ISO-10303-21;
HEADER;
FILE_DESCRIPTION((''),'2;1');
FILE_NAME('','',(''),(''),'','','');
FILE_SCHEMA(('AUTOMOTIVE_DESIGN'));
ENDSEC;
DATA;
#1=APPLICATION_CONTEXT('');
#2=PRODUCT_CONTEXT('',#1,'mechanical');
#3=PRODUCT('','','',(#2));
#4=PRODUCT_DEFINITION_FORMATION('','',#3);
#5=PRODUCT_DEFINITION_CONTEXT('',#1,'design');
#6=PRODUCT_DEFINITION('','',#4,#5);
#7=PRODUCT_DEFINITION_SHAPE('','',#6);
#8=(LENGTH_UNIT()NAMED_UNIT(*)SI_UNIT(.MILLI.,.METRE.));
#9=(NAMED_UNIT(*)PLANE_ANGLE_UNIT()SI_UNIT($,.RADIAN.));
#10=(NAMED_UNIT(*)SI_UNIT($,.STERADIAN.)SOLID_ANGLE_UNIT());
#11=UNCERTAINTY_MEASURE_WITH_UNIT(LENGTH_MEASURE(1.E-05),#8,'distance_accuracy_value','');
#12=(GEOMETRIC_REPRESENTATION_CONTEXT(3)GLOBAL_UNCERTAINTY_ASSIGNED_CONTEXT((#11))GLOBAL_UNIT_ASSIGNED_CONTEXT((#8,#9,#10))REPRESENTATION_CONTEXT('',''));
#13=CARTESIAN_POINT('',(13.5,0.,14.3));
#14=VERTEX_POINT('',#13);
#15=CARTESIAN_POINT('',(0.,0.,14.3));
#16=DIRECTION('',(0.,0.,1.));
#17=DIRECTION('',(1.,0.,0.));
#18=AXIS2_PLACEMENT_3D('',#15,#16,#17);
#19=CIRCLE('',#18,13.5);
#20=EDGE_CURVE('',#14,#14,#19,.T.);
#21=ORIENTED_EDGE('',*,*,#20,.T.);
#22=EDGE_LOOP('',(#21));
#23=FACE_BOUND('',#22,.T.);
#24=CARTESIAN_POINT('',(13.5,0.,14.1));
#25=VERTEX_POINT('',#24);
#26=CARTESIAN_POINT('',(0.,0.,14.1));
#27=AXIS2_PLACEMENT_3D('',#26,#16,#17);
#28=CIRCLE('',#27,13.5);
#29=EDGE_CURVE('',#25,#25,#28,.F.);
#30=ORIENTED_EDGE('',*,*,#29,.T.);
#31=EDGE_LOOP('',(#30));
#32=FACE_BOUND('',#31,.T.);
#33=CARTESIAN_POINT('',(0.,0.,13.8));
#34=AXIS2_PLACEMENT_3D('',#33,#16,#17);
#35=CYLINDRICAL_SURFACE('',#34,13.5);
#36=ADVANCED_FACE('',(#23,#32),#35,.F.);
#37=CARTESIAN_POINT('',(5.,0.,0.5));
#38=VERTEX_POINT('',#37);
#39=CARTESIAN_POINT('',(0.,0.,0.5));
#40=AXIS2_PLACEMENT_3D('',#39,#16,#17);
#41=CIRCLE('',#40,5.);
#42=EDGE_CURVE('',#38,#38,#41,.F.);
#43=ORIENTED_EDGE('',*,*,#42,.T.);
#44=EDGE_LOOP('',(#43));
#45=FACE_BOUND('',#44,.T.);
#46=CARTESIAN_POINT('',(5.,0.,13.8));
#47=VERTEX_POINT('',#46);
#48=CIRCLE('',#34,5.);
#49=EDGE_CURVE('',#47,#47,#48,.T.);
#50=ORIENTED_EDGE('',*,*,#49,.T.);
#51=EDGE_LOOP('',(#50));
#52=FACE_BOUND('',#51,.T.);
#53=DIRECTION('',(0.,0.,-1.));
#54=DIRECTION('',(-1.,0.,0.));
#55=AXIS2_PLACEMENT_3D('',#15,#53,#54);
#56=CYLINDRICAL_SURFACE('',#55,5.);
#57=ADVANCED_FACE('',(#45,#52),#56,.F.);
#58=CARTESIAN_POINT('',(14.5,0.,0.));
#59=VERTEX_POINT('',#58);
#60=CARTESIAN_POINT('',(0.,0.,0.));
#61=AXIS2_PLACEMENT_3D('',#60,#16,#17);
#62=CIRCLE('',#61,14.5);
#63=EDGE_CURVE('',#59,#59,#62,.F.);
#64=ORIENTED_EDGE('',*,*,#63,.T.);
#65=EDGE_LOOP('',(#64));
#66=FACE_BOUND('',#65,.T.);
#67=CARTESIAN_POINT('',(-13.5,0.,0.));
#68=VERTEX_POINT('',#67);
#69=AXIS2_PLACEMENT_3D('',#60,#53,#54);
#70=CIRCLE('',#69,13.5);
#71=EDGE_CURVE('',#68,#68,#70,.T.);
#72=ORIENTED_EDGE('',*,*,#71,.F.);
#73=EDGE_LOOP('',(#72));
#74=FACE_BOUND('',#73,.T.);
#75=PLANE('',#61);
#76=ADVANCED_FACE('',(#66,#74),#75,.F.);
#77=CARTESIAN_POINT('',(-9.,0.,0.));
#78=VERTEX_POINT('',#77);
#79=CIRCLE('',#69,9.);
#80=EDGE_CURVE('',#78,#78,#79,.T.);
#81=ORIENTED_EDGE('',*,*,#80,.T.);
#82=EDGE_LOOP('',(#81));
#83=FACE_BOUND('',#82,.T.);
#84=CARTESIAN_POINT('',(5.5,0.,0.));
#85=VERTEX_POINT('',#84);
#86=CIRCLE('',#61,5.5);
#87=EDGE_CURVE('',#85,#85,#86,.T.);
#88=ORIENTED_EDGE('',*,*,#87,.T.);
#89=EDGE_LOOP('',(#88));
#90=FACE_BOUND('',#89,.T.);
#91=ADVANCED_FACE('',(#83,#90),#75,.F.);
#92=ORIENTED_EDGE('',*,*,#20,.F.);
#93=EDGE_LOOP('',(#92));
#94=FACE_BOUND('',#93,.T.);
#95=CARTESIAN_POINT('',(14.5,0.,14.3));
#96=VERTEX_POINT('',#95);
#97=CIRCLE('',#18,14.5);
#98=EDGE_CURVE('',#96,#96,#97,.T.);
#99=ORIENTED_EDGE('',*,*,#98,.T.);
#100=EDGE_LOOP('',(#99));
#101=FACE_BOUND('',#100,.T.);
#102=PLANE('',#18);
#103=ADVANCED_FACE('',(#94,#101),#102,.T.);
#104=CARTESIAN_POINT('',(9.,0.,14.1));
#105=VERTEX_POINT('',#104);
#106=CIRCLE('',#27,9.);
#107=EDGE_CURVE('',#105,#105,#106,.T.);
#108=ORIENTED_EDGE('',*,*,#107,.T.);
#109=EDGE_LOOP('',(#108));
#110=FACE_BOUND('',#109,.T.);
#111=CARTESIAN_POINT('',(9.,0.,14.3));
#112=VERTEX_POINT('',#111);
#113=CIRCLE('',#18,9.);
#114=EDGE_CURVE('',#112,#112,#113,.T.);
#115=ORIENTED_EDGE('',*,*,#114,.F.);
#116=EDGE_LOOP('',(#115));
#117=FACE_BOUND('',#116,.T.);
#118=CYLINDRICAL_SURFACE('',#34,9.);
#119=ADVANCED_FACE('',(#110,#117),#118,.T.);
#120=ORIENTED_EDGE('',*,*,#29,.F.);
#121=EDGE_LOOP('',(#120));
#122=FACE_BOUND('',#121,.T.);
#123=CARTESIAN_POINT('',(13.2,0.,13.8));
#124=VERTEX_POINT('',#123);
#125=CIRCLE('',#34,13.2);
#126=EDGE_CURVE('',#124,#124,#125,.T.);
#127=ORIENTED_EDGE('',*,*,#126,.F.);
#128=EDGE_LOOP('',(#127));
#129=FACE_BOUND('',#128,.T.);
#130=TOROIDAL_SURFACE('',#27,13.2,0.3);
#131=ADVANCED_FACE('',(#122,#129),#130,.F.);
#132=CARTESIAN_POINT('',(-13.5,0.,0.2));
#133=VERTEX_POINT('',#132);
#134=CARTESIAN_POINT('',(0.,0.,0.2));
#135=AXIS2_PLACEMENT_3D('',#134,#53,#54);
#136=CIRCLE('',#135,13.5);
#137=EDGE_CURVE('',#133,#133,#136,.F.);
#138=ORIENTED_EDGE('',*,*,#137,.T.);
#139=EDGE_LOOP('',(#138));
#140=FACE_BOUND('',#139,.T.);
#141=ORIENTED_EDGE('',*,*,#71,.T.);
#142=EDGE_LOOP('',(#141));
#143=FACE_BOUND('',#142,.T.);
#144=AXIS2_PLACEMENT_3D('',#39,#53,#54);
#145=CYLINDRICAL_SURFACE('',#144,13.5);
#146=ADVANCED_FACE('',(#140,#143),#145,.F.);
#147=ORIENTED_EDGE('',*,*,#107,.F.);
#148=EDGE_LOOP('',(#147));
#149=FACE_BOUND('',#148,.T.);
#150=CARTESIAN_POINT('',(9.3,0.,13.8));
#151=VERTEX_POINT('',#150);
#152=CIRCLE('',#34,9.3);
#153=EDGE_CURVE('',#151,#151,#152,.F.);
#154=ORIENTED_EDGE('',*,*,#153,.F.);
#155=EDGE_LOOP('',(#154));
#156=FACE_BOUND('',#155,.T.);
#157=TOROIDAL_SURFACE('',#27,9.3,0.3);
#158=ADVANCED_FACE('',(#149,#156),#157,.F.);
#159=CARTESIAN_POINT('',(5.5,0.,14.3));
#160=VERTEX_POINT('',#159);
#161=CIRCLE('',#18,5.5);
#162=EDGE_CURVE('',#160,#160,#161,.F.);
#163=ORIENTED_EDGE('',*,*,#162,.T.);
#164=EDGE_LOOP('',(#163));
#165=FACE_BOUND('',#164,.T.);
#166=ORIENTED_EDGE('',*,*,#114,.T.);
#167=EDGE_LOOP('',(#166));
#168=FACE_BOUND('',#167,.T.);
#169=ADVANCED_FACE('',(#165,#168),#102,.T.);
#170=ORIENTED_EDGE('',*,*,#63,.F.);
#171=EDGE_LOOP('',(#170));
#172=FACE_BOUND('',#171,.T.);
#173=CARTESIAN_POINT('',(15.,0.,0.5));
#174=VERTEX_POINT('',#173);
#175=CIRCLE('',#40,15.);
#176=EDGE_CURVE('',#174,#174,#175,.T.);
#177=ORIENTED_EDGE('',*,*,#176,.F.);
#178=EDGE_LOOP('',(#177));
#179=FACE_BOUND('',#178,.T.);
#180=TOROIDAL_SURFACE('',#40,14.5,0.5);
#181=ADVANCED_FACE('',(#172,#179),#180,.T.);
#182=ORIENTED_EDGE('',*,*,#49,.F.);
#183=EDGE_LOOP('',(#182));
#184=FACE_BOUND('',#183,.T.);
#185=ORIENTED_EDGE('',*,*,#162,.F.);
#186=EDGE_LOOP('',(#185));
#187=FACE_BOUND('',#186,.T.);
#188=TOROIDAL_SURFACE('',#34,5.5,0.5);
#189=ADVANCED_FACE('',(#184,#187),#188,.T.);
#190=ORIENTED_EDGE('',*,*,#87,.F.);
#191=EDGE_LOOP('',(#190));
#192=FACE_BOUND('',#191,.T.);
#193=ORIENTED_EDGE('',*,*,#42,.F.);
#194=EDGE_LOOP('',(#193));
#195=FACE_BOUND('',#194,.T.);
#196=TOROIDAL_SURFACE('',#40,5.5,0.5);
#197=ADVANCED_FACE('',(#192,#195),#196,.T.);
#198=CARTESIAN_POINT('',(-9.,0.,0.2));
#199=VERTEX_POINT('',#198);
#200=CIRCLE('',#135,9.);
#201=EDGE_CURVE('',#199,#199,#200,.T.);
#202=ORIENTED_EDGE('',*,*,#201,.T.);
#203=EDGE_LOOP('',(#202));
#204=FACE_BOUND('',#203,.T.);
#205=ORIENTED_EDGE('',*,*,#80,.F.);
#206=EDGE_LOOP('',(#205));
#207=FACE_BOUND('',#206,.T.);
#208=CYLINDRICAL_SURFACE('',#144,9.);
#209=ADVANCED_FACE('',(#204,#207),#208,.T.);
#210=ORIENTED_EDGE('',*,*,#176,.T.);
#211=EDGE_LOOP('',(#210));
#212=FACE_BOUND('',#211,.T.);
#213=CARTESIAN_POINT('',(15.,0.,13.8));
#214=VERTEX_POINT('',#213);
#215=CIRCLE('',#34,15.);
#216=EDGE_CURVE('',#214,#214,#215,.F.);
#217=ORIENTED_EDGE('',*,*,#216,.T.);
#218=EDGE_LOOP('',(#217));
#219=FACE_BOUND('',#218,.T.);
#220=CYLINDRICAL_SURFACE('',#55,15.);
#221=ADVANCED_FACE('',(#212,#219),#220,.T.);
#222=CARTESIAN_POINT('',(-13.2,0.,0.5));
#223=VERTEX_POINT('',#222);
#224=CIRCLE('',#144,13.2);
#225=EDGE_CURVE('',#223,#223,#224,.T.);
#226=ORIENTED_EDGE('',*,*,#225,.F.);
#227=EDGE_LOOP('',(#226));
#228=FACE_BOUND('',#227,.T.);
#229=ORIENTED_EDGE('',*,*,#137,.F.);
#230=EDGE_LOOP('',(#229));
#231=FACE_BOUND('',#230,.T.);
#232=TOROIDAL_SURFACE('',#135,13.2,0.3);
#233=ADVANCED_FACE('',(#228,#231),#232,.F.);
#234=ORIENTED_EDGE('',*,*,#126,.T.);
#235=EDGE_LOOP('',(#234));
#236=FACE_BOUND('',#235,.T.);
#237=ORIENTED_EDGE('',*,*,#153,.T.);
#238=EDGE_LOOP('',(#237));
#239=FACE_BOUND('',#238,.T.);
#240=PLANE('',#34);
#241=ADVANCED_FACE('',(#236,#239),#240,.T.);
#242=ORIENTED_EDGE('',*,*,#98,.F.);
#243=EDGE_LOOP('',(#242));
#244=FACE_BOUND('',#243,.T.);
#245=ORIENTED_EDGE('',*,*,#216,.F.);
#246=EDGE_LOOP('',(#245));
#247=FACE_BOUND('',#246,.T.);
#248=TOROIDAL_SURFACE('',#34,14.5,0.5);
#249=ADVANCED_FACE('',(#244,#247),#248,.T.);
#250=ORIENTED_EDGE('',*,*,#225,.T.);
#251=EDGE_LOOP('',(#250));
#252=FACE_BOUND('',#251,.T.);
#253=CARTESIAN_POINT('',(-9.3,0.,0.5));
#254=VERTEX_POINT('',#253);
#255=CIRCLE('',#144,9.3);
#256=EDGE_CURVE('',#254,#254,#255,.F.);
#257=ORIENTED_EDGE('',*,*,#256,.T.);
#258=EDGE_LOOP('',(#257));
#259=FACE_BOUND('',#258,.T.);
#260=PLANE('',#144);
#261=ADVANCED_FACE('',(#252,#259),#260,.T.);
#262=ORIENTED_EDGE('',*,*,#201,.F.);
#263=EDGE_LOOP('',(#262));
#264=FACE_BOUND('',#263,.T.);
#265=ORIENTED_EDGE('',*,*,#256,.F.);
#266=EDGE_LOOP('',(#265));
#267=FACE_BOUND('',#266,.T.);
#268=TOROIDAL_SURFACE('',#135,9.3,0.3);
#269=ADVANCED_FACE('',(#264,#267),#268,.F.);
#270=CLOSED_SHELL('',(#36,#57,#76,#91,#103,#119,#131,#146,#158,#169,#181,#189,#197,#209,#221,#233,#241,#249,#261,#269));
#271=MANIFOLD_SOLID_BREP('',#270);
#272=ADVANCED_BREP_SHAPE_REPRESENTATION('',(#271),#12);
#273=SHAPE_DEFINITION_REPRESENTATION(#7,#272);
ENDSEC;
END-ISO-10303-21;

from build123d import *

# Parameters (mm, degrees)
SKIZZE1_R                       = 15
SKIZZE1_R_2                     = 5
AUFSATZ_LINEAR_AUSTRAGEN1_DEPTH = 14.3
VERRUNDUNG1_R                   = 0.5
SKIZZE2_R                       = 13.5
SKIZZE2_R_2                     = 9
SCHNITT_LINEAR_AUSTRAGEN1_DEPTH = 0.5
SCHNITT_LINEAR_START            = -0.5
SKIZZE3_R                       = 13.5
SKIZZE3_R_2                     = 9
SCHNITT_LINEAR_AUSTRAGEN2_DEPTH = 0.5
VERRUNDUNG2_R                   = 0.3


with BuildPart() as part:
    # Skizze1 → Aufsatz-Linear austragen1 (new body)
    with BuildSketch(Plane.XY):
        Circle(SKIZZE1_R)
        Circle(SKIZZE1_R_2, mode=Mode.SUBTRACT)
    extrude(amount=AUFSATZ_LINEAR_AUSTRAGEN1_DEPTH)

    # Verrundung1
    verrundung1_edges = [part.edges().sort_by_distance(p)[0] for p in [
        (-15, 0, 0),
        (-15, 0, 14.3),
        (-5, 0, 0),
        (-5, 0, 14.3),
    ]]
    fillet(verrundung1_edges, radius=VERRUNDUNG1_R)

    # Skizze2 → Schnitt-Linear austragen1 (cut)
    with BuildSketch(Plane(origin=(0, 0, 0), x_dir=(-1, 0, 0), z_dir=(0, 0, -1))):
        Circle(SKIZZE2_R)
        Circle(SKIZZE2_R_2, mode=Mode.SUBTRACT)
    extrude(amount=-SCHNITT_LINEAR_AUSTRAGEN1_DEPTH, mode=Mode.SUBTRACT)

    # Skizze3 → Schnitt-Linear austragen2 (cut)
    with BuildSketch(Plane.XY.offset(14.3).offset(SCHNITT_LINEAR_START)):
        with Locations(Location((0, 0, 0), (0, 0, 180))):
            Circle(SKIZZE3_R)
        with Locations(Location((0, 0, 0), (0, 0, 180))):
            Circle(SKIZZE3_R_2, mode=Mode.SUBTRACT)
    extrude(amount=SCHNITT_LINEAR_AUSTRAGEN2_DEPTH, mode=Mode.SUBTRACT)

    # Verrundung2
    verrundung2_edges = [part.edges().sort_by_distance(p)[0] for p in [
        (13.5, 0, 0.5),
        (9, 0, 0.5),
        (13.5, 0, 13.8),
        (9, 0, 13.8),
    ]]
    fillet(verrundung2_edges, radius=VERRUNDUNG2_R)


solid = part.part
